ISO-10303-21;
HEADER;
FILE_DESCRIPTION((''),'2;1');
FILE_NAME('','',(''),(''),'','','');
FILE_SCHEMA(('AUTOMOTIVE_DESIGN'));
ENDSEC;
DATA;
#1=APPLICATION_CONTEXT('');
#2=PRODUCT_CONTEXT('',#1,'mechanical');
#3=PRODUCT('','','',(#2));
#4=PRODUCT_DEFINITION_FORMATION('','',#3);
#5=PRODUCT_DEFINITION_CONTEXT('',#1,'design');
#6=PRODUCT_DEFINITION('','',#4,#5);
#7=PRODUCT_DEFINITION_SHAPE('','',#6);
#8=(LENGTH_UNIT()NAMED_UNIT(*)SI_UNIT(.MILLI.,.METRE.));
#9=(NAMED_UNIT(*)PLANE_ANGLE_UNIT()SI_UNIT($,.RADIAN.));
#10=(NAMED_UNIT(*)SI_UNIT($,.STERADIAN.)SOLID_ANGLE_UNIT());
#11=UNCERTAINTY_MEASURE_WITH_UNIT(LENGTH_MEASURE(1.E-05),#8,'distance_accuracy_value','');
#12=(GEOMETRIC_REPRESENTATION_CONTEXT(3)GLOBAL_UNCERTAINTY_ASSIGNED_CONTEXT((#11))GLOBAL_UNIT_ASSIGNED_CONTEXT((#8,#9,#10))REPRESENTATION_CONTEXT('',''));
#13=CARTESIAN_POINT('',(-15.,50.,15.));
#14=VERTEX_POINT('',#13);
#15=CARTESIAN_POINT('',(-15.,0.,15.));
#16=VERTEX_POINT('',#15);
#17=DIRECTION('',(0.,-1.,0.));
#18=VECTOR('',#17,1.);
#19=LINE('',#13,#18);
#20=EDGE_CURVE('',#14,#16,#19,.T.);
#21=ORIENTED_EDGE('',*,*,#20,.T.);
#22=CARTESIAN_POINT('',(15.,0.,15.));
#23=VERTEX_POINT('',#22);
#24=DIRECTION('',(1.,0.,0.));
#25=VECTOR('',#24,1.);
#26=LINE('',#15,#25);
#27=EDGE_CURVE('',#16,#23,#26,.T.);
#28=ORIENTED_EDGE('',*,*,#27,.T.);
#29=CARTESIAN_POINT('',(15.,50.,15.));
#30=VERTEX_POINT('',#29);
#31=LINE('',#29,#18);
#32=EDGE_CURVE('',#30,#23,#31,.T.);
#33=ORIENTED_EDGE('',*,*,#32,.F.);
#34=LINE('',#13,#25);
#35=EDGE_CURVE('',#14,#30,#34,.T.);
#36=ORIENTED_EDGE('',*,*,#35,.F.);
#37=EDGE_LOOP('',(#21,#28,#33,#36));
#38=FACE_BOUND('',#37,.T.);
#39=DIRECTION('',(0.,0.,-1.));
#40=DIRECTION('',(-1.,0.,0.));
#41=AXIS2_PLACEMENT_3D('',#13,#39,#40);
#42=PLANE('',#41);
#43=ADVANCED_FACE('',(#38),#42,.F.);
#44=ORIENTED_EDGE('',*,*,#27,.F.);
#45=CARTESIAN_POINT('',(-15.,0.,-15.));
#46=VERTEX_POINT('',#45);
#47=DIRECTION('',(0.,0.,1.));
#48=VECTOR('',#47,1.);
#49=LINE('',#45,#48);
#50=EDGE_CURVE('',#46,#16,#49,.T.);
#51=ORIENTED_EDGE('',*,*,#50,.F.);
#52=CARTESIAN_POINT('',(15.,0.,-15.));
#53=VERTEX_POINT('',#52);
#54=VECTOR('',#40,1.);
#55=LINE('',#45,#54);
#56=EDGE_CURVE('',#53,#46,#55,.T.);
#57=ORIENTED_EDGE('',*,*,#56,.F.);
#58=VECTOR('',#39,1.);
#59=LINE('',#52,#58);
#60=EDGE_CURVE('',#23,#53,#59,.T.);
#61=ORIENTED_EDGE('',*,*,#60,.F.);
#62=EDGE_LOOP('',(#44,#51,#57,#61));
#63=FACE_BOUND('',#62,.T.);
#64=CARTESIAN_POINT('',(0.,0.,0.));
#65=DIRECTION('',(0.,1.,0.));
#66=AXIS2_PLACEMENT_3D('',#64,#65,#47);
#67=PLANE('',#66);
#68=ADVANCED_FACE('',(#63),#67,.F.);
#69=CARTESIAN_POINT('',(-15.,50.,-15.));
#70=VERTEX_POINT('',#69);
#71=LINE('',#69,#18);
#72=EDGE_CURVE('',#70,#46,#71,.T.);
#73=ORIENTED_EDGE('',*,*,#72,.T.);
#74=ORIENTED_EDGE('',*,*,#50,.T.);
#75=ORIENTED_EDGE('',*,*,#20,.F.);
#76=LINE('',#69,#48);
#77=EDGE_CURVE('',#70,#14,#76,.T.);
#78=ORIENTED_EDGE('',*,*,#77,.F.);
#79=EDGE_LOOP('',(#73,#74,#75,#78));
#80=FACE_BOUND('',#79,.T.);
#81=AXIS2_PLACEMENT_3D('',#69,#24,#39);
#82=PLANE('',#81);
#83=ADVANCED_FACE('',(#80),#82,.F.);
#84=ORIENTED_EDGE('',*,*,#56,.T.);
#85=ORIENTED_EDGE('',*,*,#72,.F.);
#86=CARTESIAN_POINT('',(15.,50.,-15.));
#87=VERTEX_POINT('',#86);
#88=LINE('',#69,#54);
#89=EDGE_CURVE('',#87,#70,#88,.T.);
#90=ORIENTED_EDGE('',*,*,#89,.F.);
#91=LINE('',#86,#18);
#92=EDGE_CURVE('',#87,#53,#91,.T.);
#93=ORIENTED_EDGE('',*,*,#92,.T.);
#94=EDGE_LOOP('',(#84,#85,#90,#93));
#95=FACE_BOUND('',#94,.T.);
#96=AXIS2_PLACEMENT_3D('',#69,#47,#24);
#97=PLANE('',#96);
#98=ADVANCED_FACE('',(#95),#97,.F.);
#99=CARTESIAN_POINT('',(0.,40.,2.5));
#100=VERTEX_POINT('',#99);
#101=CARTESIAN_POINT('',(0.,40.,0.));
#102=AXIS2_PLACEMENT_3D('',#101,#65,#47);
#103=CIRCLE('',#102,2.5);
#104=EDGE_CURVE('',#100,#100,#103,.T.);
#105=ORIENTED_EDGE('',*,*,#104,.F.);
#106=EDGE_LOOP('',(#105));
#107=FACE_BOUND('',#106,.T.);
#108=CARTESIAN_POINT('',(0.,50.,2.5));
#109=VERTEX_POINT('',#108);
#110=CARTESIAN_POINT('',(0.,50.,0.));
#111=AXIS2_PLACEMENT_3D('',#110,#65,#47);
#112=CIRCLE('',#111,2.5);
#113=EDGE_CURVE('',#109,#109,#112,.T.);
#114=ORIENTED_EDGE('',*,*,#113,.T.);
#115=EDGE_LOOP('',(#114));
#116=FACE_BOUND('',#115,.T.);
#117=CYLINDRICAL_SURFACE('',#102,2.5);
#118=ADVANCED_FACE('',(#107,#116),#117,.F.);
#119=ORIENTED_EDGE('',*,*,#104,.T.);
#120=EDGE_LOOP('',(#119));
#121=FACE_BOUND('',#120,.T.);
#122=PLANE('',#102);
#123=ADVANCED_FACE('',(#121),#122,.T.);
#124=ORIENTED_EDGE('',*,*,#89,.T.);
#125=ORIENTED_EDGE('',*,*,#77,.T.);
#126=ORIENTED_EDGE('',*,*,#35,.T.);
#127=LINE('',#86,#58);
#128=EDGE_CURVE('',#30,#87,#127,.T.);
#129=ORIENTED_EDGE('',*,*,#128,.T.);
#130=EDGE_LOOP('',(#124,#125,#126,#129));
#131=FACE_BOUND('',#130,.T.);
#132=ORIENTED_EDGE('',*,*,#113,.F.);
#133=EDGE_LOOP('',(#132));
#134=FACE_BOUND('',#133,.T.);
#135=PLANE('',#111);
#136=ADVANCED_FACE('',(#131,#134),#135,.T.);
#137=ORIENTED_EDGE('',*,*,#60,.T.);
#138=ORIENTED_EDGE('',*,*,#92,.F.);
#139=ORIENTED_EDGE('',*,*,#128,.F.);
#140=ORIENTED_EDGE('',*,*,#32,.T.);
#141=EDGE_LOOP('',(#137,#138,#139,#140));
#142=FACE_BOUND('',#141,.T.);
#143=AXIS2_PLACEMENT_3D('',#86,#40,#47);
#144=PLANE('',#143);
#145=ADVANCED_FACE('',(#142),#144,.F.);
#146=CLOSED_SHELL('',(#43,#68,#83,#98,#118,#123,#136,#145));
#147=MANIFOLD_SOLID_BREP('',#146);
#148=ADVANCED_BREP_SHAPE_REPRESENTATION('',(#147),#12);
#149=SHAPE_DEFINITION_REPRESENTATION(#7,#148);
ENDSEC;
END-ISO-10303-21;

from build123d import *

# Parameters (mm, degrees)
SKETCH1_W           = 30
SKETCH1_H           = 30
BOSS_EXTRUDE1_DEPTH = 50
SKETCH2_R           = 2.5
CUT_EXTRUDE1_DEPTH  = 10


with BuildPart() as part:
    # Sketch1 → Boss-Extrude1 (new body)
    with BuildSketch(Plane(origin=(0, 0, 0), x_dir=(1, 0, 0), z_dir=(0, 1, 0))):
        Rectangle(SKETCH1_W, SKETCH1_H)
    extrude(amount=BOSS_EXTRUDE1_DEPTH)

    # Sketch2 → Cut-Extrude1 (cut)
    with BuildSketch(Plane(origin=(0, 50, 0), x_dir=(1, 0, 0), z_dir=(0, 1, 0))):
        with Locations(Location((0, 0, 0), (0, 0, 270))):
            Circle(SKETCH2_R)
    extrude(amount=-CUT_EXTRUDE1_DEPTH, mode=Mode.SUBTRACT)


solid = part.part
